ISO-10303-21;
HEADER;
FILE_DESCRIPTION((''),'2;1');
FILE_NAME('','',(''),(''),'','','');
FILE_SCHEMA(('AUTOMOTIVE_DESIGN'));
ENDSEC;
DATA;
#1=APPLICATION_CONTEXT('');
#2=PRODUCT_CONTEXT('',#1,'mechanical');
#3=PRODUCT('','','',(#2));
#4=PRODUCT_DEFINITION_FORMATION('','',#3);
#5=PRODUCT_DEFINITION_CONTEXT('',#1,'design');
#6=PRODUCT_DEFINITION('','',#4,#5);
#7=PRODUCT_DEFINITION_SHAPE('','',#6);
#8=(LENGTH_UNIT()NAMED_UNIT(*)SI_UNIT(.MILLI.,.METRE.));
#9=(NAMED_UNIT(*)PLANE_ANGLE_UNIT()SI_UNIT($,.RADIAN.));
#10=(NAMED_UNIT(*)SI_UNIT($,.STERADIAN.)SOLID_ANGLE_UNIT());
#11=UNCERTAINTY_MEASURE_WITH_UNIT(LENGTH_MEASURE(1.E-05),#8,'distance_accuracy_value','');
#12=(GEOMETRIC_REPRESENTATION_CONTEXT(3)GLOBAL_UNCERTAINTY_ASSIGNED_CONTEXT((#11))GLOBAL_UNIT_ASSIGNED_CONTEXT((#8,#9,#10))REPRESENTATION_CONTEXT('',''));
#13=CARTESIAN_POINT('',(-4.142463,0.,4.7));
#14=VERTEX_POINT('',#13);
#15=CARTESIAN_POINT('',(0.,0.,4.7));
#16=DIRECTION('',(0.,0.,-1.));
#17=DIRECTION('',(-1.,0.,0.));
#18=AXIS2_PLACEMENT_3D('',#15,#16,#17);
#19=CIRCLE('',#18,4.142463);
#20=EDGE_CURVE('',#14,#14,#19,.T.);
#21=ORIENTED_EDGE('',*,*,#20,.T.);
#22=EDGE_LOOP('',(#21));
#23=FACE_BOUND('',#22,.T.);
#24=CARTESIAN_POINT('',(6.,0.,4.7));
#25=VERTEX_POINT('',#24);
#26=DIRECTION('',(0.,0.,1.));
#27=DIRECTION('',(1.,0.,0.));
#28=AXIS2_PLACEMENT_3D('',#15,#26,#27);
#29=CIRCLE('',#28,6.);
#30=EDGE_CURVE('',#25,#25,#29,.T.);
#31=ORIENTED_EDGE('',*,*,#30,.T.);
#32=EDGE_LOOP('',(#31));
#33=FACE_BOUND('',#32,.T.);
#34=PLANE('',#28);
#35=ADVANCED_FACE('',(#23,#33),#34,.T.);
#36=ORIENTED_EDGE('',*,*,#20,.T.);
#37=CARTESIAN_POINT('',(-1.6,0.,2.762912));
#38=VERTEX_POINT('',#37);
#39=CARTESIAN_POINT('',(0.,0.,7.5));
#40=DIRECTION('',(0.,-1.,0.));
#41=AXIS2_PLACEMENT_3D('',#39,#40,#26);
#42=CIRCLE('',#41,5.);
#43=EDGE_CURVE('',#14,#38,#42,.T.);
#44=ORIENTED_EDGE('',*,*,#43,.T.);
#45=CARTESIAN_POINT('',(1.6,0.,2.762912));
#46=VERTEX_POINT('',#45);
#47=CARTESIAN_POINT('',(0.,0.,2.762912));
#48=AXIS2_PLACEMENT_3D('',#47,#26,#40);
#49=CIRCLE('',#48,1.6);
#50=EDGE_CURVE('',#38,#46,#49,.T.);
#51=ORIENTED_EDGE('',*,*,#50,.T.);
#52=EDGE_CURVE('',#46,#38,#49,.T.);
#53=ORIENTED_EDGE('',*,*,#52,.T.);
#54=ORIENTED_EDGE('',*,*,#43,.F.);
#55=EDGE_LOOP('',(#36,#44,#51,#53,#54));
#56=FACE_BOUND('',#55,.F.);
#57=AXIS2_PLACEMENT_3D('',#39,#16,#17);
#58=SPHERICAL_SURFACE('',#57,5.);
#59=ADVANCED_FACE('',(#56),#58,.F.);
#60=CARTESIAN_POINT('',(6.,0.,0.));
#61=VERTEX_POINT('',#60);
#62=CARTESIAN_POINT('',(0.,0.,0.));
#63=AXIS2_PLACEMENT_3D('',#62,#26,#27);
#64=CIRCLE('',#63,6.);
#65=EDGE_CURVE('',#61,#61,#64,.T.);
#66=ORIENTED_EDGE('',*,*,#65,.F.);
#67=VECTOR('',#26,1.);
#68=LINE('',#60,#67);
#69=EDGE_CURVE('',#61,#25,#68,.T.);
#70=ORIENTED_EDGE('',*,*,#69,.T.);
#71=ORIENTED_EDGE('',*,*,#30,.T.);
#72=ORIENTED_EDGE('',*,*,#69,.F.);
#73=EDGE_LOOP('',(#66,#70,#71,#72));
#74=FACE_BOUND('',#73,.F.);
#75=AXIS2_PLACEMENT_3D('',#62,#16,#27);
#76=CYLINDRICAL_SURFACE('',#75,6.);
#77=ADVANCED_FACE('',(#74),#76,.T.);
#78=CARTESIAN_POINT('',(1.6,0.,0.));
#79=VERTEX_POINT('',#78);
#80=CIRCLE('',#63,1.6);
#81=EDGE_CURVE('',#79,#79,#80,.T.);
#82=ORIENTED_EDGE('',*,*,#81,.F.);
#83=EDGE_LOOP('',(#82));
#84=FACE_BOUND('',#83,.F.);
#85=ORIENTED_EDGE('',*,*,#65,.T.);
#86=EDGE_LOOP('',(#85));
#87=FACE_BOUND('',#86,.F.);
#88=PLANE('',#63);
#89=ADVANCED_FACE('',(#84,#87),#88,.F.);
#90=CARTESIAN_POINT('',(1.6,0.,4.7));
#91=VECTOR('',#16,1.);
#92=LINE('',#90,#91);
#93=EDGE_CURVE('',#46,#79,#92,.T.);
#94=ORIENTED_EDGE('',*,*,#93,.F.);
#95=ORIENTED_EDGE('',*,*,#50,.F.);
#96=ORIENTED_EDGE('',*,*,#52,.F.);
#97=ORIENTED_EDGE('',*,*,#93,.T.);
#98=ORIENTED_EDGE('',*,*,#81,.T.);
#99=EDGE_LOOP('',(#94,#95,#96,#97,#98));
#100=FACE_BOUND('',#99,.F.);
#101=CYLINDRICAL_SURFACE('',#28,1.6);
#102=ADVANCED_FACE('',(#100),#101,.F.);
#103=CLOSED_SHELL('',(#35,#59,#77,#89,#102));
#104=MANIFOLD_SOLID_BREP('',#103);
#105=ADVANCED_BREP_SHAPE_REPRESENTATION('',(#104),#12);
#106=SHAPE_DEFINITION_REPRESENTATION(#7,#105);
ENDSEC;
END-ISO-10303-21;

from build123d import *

# Parameters (mm, degrees)
F0_R     = 6
F1_DEPTH = 4.7
F2_R     = 1.6
F3_DEPTH = 25


with BuildPart() as f1:
    # F0 (on Top) → F1 (new body)
    with BuildSketch(Plane.XY):
        Circle(F0_R)
    extrude(amount=F1_DEPTH)

    # F2 (on face) → F3 (cut)
    with BuildSketch(Plane.XY.offset(4.7)):
        Circle(F2_R)
    extrude(amount=-F3_DEPTH, mode=Mode.SUBTRACT)

    # F4 (on Front) → F5 (revolve, cut)
    with BuildSketch(Plane.XZ):
        with BuildLine():
            Line((0, 2.5), (0, 12.5))
            ThreePointArc((0, 12.5), (-5, 7.5), (0, 2.5))
        make_face()
    revolve(axis=Axis((0, 0, 7.5), (0, 0, -1)), mode=Mode.SUBTRACT)


solid = f1.part
